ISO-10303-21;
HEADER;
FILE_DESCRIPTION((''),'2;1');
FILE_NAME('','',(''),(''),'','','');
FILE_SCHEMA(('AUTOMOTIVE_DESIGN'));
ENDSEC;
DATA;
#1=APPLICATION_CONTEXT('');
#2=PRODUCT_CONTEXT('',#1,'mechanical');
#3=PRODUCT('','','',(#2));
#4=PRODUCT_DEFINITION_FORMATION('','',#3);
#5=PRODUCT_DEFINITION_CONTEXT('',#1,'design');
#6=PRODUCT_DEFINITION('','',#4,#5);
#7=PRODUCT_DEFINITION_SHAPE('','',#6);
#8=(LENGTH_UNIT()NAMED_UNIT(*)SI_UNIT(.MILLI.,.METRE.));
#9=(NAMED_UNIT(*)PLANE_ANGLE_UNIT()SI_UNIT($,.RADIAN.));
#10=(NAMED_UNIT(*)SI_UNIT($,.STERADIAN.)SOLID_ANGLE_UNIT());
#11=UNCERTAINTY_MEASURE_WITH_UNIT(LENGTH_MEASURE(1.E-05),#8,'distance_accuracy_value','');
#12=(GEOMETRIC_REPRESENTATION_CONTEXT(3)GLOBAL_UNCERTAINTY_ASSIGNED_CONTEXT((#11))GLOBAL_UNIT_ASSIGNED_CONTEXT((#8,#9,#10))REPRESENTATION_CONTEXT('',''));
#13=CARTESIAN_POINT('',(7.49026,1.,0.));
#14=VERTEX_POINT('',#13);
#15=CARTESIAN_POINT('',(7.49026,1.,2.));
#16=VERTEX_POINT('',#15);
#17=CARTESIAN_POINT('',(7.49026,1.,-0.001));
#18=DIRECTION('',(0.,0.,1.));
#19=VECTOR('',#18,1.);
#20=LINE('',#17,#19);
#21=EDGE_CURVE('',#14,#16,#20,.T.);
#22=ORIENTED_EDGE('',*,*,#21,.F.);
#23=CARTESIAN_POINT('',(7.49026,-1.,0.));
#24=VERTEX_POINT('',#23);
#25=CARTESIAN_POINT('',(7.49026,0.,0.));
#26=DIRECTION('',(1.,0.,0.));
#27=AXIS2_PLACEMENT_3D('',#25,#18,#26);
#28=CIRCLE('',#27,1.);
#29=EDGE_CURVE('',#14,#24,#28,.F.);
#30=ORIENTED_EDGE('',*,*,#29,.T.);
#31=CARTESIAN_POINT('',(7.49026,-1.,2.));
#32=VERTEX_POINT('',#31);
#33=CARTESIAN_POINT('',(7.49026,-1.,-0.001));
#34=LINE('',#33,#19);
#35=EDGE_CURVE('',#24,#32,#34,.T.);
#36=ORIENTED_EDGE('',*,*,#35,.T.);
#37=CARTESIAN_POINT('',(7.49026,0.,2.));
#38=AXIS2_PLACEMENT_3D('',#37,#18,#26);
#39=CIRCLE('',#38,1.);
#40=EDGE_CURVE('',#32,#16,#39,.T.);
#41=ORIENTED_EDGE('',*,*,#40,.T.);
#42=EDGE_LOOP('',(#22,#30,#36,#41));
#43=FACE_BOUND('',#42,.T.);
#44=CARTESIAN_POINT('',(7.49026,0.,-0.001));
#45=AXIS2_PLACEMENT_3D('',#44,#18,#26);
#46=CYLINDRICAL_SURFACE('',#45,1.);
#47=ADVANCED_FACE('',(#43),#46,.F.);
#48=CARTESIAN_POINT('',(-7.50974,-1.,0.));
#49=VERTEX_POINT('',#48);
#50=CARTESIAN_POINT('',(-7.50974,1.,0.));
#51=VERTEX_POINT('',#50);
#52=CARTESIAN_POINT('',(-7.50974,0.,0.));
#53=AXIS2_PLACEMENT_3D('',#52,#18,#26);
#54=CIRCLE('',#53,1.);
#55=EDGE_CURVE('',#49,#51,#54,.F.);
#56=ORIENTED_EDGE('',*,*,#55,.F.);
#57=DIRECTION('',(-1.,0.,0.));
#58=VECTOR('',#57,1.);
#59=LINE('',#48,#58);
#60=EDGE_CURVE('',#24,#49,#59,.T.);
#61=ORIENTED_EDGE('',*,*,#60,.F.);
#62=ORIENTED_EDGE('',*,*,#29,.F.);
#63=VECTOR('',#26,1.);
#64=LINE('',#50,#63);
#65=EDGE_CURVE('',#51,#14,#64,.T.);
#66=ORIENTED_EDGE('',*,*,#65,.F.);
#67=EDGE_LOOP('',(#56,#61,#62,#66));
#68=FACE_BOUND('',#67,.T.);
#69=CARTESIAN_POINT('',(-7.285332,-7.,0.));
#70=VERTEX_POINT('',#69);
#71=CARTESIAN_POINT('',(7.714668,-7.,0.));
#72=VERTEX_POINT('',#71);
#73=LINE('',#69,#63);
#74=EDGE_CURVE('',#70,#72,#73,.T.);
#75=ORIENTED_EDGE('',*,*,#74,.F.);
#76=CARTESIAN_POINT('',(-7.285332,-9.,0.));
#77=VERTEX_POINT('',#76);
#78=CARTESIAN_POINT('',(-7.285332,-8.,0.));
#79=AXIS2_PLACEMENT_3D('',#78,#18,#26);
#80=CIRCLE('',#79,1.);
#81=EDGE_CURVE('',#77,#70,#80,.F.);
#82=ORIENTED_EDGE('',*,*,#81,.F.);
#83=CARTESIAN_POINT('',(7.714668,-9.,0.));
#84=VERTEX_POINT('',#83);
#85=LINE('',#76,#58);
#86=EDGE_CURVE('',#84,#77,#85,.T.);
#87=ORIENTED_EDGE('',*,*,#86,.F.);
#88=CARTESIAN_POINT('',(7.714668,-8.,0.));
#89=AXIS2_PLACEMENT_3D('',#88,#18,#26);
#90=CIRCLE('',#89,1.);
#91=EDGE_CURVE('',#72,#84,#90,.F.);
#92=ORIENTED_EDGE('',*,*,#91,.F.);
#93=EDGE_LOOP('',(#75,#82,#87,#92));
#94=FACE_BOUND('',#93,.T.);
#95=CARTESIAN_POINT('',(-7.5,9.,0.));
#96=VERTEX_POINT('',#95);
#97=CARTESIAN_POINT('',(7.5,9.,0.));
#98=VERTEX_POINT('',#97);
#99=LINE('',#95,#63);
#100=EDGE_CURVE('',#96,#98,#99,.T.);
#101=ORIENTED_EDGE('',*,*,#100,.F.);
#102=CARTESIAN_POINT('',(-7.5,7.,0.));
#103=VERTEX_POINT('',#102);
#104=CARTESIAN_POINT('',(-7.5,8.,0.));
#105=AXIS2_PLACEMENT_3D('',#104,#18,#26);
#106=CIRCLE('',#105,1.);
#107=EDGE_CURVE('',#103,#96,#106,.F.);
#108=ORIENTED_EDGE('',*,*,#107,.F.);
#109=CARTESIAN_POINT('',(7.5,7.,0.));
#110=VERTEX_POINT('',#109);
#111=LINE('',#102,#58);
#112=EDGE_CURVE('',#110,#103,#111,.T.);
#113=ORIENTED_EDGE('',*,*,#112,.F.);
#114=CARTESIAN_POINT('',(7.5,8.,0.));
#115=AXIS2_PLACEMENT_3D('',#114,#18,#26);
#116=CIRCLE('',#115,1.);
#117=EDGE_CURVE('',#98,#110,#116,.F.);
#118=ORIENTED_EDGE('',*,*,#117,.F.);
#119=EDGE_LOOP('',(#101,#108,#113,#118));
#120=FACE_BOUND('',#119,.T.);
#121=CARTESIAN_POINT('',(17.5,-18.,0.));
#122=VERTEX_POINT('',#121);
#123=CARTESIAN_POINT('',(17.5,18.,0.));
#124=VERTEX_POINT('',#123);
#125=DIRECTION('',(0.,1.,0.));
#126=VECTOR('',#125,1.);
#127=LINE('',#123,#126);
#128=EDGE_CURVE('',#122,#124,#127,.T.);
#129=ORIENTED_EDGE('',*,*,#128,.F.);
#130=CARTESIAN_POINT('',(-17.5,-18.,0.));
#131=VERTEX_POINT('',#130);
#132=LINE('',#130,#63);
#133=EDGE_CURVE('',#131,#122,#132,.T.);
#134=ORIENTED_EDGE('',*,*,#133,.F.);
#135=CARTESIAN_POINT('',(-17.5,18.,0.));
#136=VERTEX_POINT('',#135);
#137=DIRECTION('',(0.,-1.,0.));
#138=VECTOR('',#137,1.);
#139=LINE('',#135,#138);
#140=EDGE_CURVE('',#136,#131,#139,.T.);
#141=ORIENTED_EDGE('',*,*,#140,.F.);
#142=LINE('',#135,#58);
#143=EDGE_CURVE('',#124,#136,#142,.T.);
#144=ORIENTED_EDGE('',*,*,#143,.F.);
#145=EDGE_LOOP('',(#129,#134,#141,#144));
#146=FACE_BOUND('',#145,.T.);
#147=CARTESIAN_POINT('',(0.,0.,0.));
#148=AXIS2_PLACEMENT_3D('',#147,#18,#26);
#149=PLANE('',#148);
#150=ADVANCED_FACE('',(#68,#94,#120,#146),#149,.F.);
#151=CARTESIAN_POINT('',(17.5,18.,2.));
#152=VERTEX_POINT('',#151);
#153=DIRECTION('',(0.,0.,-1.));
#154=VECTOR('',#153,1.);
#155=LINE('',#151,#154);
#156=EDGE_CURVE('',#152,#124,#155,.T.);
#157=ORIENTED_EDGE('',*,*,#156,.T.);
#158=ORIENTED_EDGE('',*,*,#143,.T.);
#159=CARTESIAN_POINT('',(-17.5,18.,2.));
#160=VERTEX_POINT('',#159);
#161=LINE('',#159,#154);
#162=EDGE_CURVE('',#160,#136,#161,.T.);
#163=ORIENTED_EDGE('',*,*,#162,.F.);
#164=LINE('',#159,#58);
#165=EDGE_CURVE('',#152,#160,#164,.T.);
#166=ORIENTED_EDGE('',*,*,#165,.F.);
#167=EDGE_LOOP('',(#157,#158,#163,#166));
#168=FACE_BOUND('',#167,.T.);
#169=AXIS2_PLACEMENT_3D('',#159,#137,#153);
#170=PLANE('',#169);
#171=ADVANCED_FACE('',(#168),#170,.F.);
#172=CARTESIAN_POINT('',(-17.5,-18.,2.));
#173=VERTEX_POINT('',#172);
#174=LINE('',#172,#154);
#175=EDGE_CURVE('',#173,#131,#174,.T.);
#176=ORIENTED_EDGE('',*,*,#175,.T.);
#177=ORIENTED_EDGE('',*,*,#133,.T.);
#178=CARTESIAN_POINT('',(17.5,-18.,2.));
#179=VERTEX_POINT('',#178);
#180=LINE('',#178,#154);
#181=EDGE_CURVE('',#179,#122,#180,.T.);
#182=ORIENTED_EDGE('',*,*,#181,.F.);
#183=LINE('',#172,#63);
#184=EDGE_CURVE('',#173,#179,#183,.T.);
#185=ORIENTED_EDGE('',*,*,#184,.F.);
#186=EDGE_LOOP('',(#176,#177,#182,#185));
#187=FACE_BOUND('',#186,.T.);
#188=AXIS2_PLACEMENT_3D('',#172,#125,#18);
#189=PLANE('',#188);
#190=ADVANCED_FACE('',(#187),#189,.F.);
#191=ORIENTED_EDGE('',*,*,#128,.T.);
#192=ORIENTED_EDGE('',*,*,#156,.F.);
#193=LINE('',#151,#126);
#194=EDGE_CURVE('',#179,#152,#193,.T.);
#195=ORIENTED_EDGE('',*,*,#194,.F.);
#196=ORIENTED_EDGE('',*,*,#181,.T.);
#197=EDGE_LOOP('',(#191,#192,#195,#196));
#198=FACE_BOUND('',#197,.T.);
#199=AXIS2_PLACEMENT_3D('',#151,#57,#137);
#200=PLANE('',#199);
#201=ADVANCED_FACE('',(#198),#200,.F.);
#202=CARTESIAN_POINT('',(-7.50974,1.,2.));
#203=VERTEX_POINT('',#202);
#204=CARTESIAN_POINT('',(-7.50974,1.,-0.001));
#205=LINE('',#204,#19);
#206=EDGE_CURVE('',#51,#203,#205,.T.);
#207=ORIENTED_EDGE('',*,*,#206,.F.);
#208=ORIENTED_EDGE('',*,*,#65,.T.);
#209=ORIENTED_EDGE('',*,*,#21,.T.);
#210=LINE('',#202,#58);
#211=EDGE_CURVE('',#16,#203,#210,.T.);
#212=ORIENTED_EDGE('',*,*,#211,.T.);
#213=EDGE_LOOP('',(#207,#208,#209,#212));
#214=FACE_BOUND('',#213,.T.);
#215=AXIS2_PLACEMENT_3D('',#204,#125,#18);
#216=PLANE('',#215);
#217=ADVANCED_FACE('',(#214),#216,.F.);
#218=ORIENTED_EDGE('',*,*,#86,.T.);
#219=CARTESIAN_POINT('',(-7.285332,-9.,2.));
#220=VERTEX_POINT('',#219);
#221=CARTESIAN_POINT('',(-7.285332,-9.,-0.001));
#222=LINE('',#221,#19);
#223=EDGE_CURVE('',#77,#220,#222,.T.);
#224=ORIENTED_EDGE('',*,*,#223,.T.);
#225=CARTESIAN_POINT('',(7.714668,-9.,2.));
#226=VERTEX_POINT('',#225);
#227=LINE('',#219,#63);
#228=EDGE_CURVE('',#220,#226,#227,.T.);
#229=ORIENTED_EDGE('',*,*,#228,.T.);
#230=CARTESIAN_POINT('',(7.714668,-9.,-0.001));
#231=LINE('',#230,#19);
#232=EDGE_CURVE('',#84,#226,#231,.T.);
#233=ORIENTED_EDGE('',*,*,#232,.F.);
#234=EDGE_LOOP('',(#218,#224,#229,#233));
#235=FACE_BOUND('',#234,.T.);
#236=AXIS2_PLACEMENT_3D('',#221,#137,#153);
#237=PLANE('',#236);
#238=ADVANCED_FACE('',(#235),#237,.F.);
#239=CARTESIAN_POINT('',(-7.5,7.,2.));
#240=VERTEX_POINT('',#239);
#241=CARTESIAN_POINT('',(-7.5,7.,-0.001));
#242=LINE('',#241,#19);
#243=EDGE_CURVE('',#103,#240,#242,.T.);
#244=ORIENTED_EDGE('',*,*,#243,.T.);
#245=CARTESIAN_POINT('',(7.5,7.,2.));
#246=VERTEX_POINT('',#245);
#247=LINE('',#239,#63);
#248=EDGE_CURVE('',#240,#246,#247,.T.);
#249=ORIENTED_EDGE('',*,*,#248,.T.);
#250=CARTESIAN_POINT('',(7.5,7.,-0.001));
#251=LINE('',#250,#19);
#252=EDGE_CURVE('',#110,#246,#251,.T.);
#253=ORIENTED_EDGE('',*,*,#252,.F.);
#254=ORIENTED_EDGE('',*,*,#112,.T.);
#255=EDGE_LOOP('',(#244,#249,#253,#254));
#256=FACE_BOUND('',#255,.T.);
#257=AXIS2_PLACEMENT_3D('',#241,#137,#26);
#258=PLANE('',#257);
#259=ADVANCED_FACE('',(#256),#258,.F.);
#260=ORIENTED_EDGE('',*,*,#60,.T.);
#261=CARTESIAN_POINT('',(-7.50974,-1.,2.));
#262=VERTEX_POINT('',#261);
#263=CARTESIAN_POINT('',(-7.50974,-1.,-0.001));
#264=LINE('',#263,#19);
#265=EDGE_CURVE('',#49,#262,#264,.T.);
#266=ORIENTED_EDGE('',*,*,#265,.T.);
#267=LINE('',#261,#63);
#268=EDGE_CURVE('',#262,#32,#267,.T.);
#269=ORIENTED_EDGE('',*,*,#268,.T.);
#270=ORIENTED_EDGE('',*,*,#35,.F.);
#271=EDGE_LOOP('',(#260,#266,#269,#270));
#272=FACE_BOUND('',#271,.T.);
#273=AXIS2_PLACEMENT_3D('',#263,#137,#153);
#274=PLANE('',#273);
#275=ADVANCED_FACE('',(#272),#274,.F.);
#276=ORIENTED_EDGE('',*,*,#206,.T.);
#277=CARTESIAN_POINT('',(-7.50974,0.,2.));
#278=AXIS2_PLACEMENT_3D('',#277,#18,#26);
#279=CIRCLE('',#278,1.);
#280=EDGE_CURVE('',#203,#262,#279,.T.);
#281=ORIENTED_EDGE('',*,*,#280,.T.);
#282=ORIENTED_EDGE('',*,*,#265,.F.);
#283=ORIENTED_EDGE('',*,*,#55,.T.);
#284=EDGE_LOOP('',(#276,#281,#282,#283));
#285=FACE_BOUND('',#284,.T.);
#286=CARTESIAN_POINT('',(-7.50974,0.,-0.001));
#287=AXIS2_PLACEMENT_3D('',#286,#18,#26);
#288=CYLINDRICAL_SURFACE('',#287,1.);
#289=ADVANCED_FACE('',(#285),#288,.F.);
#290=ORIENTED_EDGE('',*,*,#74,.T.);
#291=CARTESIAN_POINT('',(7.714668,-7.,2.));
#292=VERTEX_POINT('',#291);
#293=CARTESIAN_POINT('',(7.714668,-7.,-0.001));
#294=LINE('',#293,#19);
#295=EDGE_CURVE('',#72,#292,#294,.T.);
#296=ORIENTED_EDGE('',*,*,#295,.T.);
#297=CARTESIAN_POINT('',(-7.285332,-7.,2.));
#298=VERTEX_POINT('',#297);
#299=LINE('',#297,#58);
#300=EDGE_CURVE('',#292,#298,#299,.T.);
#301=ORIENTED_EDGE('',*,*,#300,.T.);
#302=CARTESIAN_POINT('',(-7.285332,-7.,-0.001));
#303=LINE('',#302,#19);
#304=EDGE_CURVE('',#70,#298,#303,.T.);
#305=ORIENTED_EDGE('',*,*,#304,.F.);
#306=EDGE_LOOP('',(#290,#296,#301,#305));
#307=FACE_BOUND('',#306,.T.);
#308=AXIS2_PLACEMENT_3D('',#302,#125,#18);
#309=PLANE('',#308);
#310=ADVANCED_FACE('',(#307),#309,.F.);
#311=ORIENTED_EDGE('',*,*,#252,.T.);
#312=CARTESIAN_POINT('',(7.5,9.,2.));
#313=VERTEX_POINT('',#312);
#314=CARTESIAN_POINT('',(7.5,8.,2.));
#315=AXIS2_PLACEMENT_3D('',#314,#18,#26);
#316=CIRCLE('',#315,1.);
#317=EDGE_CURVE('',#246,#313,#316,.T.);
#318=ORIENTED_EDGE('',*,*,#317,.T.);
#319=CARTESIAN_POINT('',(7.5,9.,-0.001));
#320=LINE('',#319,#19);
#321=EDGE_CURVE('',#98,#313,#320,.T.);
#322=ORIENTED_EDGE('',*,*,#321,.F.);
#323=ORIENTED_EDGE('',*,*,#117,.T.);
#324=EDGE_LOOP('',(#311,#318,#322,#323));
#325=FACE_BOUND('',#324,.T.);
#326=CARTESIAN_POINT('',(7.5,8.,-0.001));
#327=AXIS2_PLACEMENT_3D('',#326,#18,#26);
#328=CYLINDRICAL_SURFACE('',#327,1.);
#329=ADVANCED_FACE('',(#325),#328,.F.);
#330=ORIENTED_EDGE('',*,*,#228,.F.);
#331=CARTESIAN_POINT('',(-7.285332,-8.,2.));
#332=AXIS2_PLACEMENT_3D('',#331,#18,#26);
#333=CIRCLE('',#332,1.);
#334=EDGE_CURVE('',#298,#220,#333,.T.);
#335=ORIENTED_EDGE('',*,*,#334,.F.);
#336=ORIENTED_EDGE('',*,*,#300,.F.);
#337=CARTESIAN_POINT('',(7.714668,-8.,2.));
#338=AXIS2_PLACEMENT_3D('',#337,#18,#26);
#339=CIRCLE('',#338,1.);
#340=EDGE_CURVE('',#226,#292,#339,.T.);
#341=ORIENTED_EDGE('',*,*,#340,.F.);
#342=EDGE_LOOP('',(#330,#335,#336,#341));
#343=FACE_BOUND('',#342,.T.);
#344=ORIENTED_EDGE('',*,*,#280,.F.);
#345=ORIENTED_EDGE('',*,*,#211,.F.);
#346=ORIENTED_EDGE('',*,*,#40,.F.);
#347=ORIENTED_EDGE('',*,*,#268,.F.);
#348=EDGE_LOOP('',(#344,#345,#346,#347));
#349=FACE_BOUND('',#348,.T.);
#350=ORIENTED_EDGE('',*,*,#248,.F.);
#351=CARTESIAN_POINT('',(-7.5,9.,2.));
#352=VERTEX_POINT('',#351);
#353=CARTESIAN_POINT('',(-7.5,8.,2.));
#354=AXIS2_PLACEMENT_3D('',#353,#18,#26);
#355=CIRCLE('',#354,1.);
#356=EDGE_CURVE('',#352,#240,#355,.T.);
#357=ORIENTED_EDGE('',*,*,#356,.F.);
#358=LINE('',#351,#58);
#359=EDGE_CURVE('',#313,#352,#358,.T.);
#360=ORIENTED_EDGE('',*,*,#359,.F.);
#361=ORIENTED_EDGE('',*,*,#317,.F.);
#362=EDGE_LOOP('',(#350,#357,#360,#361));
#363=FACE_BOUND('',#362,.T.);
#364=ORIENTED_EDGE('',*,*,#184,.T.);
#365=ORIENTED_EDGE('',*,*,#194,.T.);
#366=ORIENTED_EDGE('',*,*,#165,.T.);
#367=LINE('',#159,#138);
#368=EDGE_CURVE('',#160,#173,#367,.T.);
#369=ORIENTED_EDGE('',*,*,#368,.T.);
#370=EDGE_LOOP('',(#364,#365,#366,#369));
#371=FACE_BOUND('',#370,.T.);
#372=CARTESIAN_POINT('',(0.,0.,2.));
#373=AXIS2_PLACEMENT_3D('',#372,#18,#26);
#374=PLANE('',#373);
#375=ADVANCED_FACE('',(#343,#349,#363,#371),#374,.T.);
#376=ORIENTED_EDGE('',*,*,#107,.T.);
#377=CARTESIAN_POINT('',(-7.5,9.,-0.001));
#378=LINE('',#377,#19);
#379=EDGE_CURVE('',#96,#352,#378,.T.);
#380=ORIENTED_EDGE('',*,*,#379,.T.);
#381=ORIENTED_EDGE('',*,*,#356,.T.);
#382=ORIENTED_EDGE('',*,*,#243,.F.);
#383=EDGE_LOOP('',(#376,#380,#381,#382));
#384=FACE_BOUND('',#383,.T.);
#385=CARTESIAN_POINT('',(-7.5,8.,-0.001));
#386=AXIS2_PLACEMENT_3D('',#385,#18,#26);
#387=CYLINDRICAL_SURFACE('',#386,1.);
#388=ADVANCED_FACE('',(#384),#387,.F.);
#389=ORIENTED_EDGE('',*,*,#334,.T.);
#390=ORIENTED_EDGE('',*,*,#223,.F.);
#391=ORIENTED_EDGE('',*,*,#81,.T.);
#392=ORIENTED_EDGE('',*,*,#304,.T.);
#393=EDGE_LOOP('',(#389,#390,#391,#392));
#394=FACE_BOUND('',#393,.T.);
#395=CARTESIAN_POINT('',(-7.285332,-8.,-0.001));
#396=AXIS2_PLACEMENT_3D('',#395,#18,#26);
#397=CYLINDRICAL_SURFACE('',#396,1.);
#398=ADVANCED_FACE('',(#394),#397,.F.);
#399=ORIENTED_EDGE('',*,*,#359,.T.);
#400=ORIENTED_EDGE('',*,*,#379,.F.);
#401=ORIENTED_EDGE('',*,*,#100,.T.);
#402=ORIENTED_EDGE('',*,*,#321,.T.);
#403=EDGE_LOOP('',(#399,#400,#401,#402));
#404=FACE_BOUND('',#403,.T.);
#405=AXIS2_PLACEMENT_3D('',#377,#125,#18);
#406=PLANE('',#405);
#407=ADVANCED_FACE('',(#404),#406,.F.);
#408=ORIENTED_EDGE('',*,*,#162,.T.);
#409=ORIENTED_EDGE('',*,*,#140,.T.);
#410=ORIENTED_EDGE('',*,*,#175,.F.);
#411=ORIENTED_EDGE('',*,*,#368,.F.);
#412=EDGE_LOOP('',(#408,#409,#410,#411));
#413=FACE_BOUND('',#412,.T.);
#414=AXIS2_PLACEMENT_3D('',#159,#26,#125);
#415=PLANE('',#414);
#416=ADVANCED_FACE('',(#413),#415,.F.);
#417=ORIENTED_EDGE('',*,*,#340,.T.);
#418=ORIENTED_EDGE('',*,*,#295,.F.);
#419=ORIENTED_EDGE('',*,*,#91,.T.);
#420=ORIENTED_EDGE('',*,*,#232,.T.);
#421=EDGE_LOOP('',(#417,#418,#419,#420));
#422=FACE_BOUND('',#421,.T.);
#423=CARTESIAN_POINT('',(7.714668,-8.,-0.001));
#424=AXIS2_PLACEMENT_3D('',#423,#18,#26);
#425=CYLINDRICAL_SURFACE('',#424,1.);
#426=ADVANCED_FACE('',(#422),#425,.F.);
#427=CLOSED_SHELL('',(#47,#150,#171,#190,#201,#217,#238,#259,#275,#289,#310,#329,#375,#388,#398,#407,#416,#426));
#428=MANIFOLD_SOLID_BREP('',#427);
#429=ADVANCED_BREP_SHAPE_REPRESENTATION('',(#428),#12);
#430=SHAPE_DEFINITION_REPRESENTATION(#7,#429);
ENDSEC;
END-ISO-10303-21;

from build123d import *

# Parameters (mm, degrees)
SKETCH_1_W          = 35
SKETCH_1_H          = 36
EXTRUDE_1_DEPTH     = 2
CUT_EXTRUDE_1_REACH = 27.184


with BuildPart() as part:
    # 草图1 → 凸台-拉伸1 (new body)
    with BuildSketch(Plane.XY):
        Rectangle(SKETCH_1_W, SKETCH_1_H)
    extrude(amount=EXTRUDE_1_DEPTH)

    # 草图2 → 切除-拉伸1 (cut, up to next)
    with BuildSketch(Plane.XY.offset(2), mode=Mode.PRIVATE) as cut_extrude_1_sk1:
        with BuildLine():
            Line((-7.5, 9), (7.5, 9))
            ThreePointArc((7.5, 9), (8.5, 8), (7.5, 7))
            Line((7.5, 7), (-7.5, 7))
            ThreePointArc((-7.5, 7), (-8.5, 8), (-7.5, 9))
        make_face()
    cut_extrude_1_tool1 = extrude(cut_extrude_1_sk1.sketch, amount=-CUT_EXTRUDE_1_REACH, mode=Mode.PRIVATE) & part.part
    # 草图2 → 切除-拉伸1 (cut, up to next)
    with BuildSketch(Plane.XY.offset(2), mode=Mode.PRIVATE) as cut_extrude_1_sk2:
        with BuildLine():
            Line((-7.509739979, 1), (7.490260021, 1))
            ThreePointArc((7.490260021, 1), (8.490260021, 0), (7.490260021, -1))
            Line((7.490260021, -1), (-7.509739979, -1))
            ThreePointArc((-7.509739979, -1), (-8.509739979, 0), (-7.509739979, 1))
        make_face()
    cut_extrude_1_tool2 = extrude(cut_extrude_1_sk2.sketch, amount=-CUT_EXTRUDE_1_REACH, mode=Mode.PRIVATE) & part.part
    # 草图2 → 切除-拉伸1 (cut, up to next)
    with BuildSketch(Plane.XY.offset(2), mode=Mode.PRIVATE) as cut_extrude_1_sk3:
        with BuildLine():
            Line((-7.285332316, -7), (7.714667684, -7))
            ThreePointArc((7.714667684, -7), (8.714667684, -8), (7.714667684, -9))
            Line((7.714667684, -9), (-7.285332316, -9))
            ThreePointArc((-7.285332316, -9), (-8.285332316, -8), (-7.285332316, -7))
        make_face()
    cut_extrude_1_tool3 = extrude(cut_extrude_1_sk3.sketch, amount=-CUT_EXTRUDE_1_REACH, mode=Mode.PRIVATE) & part.part
    add(cut_extrude_1_tool1.solids().sort_by_distance((0, 8, 2))[0], mode=Mode.SUBTRACT)
    add(cut_extrude_1_tool2.solids().sort_by_distance((-0.00974, 0, 2))[0], mode=Mode.SUBTRACT)
    add(cut_extrude_1_tool3.solids().sort_by_distance((0.214668, -8, 2))[0], mode=Mode.SUBTRACT)


solid = part.part
